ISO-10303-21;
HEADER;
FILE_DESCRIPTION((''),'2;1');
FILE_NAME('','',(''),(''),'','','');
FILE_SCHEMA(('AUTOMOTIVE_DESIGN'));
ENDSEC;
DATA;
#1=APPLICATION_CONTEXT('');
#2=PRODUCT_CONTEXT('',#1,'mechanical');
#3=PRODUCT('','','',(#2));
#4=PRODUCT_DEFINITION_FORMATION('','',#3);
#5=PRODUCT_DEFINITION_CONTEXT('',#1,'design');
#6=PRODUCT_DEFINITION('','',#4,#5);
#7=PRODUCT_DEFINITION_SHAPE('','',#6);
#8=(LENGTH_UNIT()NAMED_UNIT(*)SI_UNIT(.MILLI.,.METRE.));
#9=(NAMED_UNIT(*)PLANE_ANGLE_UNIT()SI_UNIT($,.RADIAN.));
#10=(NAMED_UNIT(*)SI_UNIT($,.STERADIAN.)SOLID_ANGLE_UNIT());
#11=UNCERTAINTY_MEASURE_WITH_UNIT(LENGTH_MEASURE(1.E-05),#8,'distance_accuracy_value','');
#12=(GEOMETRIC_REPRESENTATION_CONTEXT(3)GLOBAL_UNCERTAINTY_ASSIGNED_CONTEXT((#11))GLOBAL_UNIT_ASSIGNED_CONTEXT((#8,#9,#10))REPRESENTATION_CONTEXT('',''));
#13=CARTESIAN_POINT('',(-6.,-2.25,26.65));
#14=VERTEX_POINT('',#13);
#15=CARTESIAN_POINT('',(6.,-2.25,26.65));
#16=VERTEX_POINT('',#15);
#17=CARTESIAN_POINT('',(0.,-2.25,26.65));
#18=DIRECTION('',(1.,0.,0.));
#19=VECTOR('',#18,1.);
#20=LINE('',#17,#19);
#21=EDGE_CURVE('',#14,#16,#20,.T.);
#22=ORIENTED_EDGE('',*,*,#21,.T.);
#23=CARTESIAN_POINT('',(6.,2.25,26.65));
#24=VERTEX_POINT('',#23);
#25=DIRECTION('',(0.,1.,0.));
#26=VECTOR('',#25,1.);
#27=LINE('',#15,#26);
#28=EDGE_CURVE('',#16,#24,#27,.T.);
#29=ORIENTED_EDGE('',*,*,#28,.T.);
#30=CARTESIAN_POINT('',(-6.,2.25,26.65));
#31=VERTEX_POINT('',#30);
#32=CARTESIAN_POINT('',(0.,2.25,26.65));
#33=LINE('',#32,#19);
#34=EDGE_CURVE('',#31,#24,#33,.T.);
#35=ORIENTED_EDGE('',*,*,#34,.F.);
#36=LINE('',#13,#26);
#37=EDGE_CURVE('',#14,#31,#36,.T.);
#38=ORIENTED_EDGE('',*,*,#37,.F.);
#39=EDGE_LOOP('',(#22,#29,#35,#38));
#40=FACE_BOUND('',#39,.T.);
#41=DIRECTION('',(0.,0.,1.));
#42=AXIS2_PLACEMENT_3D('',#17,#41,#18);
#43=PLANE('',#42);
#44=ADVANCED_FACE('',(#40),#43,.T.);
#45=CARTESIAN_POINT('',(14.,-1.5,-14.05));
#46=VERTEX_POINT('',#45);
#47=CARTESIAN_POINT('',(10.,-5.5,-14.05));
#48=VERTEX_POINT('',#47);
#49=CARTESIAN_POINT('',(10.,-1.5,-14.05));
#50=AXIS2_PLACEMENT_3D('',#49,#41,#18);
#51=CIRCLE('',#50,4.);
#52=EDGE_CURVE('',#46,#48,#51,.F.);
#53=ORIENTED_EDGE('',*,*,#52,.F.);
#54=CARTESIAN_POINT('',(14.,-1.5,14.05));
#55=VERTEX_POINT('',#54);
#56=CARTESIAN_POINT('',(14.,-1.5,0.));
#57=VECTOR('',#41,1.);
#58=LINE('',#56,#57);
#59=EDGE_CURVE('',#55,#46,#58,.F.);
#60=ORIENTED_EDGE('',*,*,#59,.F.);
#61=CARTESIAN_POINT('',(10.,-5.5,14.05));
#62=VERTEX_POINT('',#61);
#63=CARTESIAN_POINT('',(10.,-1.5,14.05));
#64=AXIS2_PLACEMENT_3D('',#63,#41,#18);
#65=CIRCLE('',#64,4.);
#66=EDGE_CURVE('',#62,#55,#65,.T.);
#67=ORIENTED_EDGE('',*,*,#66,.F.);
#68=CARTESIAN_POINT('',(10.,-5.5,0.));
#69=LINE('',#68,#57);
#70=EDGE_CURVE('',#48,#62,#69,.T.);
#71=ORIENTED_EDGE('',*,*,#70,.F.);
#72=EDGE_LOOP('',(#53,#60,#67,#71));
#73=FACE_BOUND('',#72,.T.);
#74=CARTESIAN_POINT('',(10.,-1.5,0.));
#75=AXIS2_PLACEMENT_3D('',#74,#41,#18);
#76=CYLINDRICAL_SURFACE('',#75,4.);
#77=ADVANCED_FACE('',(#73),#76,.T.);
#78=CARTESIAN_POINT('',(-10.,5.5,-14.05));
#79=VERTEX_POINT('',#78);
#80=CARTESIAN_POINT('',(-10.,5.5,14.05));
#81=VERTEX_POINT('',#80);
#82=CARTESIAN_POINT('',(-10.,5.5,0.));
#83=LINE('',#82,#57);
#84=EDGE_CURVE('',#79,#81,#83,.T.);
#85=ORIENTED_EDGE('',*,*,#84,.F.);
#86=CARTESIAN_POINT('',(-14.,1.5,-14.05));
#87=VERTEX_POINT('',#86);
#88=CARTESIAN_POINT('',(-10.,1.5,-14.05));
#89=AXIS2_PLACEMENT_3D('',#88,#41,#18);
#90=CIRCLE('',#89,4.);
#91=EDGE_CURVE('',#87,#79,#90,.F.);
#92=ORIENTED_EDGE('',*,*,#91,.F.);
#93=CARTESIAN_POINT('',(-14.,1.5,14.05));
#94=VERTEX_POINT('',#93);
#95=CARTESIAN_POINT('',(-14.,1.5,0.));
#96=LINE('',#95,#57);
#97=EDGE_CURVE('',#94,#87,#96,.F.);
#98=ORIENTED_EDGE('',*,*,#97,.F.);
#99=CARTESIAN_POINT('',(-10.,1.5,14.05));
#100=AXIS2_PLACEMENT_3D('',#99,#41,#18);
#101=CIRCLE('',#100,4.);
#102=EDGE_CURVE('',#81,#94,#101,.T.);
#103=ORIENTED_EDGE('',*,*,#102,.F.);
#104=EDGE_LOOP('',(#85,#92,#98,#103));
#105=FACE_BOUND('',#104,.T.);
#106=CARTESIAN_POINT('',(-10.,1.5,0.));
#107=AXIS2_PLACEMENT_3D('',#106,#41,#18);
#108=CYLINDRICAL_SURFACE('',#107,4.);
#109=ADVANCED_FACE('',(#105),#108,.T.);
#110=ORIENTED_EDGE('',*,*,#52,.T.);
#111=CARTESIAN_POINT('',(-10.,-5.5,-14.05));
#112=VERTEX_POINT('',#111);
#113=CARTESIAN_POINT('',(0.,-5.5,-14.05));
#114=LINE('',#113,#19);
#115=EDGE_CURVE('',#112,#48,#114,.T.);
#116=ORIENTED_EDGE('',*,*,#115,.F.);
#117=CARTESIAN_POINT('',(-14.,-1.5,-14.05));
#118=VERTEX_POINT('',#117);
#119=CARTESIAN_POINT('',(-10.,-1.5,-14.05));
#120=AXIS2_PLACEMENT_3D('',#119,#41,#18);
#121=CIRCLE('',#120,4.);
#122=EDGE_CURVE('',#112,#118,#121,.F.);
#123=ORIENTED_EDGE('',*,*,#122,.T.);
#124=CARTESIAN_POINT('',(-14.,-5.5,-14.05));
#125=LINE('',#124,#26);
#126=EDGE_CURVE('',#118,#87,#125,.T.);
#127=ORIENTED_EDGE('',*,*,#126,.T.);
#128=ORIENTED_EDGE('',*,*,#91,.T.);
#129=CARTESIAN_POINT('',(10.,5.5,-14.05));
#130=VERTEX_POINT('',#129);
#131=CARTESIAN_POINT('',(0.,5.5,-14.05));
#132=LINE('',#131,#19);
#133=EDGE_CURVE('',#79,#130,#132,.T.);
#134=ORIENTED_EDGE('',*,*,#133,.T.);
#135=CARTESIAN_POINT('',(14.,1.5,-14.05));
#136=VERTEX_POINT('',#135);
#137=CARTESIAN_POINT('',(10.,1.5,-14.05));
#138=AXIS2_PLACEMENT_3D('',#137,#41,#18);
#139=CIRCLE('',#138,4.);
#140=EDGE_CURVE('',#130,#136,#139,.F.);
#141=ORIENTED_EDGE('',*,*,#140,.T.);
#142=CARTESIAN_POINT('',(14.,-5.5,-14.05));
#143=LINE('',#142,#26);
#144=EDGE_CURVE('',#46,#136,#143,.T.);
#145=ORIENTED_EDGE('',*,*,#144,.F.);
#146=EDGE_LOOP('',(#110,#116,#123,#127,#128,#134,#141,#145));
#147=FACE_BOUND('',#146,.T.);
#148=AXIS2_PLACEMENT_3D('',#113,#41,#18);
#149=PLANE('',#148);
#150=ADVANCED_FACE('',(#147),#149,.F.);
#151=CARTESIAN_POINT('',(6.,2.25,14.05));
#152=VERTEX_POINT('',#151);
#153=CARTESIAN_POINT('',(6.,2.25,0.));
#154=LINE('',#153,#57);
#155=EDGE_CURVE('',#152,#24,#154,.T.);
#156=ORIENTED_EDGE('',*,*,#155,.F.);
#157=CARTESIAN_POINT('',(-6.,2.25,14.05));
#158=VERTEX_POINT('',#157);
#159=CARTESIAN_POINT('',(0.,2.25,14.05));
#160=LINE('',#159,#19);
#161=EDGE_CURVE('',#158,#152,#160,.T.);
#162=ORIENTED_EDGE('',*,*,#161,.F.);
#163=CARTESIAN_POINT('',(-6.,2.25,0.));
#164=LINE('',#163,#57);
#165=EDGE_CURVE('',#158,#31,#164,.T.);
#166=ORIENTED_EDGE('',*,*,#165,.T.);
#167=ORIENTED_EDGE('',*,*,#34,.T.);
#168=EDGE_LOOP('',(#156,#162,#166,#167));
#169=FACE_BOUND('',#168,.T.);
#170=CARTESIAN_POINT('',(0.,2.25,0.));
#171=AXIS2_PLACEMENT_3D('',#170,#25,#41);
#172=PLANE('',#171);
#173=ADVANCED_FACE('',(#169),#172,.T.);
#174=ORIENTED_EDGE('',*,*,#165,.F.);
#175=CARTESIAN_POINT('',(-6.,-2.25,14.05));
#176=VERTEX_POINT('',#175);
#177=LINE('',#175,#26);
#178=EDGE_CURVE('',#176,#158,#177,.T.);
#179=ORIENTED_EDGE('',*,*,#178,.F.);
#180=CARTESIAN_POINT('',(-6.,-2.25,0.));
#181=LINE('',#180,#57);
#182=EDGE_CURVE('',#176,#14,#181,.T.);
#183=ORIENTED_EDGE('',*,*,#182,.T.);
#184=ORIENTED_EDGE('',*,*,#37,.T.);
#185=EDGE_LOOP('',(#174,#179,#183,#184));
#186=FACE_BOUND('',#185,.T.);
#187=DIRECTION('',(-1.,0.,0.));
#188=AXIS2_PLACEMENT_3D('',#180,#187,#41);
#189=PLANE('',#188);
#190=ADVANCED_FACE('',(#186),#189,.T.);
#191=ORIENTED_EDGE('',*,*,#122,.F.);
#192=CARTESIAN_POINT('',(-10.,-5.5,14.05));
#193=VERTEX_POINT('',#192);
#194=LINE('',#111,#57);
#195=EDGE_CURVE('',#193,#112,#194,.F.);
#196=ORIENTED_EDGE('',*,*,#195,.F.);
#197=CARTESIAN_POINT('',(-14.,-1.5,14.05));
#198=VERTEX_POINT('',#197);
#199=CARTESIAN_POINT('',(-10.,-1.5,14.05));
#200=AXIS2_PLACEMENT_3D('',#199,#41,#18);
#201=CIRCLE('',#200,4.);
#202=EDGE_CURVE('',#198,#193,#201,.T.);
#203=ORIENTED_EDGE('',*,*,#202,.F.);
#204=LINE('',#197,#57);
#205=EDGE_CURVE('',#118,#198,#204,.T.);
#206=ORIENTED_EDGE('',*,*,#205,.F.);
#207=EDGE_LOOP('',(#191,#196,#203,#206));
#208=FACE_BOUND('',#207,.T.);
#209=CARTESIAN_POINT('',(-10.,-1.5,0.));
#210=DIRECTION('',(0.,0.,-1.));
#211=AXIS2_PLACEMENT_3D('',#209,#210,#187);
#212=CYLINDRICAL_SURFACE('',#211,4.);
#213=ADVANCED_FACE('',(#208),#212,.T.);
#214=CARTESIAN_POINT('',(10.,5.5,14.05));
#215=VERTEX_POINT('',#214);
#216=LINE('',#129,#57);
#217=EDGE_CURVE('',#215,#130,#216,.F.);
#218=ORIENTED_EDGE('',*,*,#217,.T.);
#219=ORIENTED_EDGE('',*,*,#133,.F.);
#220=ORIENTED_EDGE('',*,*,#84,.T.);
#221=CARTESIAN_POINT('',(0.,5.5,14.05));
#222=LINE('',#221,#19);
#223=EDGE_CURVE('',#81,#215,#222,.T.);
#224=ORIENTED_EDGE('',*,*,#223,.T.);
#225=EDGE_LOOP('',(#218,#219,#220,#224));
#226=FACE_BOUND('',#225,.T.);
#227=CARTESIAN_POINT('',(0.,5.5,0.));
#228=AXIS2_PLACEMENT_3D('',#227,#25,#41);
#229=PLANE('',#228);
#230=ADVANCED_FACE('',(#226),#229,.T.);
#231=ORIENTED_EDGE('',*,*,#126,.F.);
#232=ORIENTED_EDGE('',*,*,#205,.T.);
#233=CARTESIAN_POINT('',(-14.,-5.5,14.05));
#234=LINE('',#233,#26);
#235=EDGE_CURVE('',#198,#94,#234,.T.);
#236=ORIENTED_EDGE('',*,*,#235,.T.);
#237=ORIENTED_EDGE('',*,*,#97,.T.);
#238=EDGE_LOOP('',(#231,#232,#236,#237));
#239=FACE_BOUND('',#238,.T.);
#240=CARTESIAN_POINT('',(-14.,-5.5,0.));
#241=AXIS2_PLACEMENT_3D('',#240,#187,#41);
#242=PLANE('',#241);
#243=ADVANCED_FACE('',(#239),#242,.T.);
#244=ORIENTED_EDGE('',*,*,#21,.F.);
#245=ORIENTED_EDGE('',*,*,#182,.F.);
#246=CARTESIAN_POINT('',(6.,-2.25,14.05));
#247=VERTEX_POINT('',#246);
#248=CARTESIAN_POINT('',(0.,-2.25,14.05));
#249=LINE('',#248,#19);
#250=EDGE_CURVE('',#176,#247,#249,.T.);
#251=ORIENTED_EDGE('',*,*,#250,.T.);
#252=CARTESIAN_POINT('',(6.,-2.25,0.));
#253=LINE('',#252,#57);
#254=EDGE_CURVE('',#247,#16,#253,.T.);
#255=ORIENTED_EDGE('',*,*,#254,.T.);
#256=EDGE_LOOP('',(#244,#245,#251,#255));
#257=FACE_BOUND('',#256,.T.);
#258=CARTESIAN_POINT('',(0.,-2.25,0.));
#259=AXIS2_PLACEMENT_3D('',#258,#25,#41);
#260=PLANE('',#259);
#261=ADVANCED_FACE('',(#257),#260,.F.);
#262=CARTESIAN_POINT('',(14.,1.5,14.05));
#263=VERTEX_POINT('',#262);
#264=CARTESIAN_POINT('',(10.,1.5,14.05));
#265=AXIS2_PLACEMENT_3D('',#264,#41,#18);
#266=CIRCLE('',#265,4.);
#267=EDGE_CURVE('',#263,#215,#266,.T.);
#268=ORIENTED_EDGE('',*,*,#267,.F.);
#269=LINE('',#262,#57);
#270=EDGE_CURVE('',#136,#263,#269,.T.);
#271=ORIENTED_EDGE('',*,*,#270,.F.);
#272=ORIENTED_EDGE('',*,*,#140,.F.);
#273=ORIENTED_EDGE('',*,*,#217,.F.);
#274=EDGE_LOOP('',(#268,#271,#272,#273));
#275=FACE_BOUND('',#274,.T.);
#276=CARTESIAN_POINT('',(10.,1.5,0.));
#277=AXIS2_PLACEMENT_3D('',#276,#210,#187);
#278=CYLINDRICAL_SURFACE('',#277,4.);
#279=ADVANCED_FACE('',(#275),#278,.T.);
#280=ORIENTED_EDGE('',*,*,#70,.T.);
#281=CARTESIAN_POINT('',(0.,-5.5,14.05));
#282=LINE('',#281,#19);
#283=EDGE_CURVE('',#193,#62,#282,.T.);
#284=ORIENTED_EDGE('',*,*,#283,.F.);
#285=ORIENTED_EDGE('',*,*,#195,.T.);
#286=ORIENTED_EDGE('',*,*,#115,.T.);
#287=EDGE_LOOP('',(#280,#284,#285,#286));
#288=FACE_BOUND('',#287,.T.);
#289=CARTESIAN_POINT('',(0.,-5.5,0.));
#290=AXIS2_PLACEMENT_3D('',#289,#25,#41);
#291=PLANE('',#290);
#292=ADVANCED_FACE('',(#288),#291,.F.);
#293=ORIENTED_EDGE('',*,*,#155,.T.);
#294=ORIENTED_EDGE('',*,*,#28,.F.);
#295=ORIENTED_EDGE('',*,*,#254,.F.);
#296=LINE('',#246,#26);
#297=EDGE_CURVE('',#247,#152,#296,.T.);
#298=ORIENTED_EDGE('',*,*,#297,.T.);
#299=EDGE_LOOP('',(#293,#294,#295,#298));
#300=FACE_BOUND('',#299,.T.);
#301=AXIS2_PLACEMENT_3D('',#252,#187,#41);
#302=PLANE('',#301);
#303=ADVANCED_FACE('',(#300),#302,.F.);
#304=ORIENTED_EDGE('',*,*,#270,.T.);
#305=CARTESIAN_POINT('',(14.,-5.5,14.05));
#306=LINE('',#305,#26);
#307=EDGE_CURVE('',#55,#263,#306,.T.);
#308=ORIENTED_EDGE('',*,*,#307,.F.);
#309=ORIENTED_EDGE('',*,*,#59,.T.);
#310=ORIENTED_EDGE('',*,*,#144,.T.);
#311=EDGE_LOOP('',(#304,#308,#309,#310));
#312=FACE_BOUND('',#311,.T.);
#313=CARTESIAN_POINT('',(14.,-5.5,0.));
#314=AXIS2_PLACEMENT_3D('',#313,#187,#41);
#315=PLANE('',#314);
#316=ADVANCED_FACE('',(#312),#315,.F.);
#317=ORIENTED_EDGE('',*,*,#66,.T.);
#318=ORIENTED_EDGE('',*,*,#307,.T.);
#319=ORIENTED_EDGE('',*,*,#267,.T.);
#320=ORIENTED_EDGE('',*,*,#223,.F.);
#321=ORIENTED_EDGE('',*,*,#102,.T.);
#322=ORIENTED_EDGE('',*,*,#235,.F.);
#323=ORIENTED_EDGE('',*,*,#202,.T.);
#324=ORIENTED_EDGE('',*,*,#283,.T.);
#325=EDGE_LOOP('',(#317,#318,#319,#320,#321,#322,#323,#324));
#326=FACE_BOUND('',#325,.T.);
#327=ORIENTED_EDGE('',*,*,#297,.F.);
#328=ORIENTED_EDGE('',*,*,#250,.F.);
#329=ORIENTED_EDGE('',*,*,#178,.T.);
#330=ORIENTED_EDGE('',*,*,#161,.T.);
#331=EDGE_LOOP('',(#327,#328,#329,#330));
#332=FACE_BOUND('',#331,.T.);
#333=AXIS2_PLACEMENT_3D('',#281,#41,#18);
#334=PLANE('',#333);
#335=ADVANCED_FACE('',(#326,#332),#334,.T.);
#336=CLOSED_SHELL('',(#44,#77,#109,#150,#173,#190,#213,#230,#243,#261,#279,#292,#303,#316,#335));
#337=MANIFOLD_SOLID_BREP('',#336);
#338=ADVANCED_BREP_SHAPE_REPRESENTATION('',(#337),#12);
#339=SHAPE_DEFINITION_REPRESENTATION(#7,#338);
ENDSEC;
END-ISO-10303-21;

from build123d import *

# Parameters (mm, degrees)
BOSS_EXTRUDE1_DEPTH      = 5.5
BOSS_EXTRUDE1_DEPTH_BACK = 5.5
BOSS_EXTRUDE2_DEPTH      = 2.25
BOSS_EXTRUDE2_DEPTH_BACK = 2.25
SKETCH1_4_W              = 12
SKETCH1_4_H              = 12.6
FILLET2_R                = 4


with BuildPart() as part:
    # Sketch1 → Boss-Extrude1 (new, two sides: drawn at the far end of the back side and taken through both)
    with BuildSketch(Plane(origin=(0, 0, 0), x_dir=(1, 0, 0), z_dir=(0, 1, 0)).offset(-BOSS_EXTRUDE1_DEPTH_BACK)):
        Polygon((14, 14.05), (-14, 14.05), (-14, -14.05), (-6, -14.05), (6, -14.05), (14, -14.05), align=None)
    extrude(amount=BOSS_EXTRUDE1_DEPTH + BOSS_EXTRUDE1_DEPTH_BACK)

    # Sketch1<4> → Boss-Extrude2 (add, two sides: drawn at the far end of the back side and taken through both)
    with BuildSketch(Plane(origin=(0, 0, 0), x_dir=(1, 0, 0), z_dir=(0, 1, 0)).offset(-BOSS_EXTRUDE2_DEPTH_BACK)):
        with Locations((0, -20.35)):
            Rectangle(SKETCH1_4_W, SKETCH1_4_H)
    extrude(amount=BOSS_EXTRUDE2_DEPTH + BOSS_EXTRUDE2_DEPTH_BACK)

    # Fillet2
    fillet2_edges = [part.edges().sort_by_distance(p)[0] for p in [
        (-14, -5.5, 0),
        (-14, 5.5, 0),
        (14, -5.5, 0),
        (14, 5.5, 0),
    ]]
    fillet(fillet2_edges, radius=FILLET2_R)


solid = part.part
